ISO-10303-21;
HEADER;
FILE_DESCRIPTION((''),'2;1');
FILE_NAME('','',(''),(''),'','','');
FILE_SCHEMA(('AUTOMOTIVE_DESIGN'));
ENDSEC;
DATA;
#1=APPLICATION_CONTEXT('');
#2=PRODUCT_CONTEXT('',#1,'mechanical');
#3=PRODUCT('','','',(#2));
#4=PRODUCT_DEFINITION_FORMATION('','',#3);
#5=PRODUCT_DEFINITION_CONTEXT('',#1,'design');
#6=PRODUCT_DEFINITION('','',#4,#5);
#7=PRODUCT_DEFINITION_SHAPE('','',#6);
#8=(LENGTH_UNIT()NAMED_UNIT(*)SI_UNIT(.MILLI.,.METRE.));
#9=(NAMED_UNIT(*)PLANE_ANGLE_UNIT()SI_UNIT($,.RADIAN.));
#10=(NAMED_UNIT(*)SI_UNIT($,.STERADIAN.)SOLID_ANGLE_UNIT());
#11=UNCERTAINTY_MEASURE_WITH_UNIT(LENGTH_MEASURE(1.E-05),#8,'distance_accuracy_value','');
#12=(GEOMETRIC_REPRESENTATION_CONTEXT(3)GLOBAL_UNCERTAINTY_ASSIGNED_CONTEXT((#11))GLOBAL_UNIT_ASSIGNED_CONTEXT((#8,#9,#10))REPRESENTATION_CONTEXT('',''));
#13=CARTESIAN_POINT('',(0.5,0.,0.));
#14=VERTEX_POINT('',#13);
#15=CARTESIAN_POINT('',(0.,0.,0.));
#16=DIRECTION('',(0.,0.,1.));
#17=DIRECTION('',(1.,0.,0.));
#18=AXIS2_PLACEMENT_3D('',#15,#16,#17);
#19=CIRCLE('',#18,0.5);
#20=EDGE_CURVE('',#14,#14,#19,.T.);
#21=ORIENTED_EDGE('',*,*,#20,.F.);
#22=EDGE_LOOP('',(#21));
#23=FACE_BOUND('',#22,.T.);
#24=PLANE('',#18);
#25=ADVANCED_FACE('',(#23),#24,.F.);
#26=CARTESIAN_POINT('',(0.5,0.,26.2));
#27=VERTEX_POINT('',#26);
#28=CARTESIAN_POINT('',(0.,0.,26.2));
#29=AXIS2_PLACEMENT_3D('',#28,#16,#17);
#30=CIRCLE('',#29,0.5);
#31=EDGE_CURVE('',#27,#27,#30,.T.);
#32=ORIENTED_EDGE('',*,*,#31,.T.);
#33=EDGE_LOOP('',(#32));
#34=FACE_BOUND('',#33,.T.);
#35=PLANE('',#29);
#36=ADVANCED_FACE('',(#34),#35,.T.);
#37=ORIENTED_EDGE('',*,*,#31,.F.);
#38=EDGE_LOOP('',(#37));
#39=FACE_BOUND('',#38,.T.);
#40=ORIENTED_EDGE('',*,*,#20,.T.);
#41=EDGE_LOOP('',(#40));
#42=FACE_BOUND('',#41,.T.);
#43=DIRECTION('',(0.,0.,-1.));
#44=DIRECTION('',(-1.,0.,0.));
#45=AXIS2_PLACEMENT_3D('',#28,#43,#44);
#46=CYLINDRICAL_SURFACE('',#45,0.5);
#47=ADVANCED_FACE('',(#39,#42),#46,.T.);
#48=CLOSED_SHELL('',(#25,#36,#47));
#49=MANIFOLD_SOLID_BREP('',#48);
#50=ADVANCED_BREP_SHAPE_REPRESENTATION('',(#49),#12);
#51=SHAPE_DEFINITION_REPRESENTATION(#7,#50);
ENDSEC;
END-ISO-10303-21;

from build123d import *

# Parameters (mm, degrees)
SKETCH1_R           = 0.5
BOSS_EXTRUDE1_DEPTH = 26.2


with BuildPart() as part:
    # Sketch1 → Boss-Extrude1 (new body)
    with BuildSketch(Plane.XY):
        Circle(SKETCH1_R)
    extrude(amount=BOSS_EXTRUDE1_DEPTH)


solid = part.part
